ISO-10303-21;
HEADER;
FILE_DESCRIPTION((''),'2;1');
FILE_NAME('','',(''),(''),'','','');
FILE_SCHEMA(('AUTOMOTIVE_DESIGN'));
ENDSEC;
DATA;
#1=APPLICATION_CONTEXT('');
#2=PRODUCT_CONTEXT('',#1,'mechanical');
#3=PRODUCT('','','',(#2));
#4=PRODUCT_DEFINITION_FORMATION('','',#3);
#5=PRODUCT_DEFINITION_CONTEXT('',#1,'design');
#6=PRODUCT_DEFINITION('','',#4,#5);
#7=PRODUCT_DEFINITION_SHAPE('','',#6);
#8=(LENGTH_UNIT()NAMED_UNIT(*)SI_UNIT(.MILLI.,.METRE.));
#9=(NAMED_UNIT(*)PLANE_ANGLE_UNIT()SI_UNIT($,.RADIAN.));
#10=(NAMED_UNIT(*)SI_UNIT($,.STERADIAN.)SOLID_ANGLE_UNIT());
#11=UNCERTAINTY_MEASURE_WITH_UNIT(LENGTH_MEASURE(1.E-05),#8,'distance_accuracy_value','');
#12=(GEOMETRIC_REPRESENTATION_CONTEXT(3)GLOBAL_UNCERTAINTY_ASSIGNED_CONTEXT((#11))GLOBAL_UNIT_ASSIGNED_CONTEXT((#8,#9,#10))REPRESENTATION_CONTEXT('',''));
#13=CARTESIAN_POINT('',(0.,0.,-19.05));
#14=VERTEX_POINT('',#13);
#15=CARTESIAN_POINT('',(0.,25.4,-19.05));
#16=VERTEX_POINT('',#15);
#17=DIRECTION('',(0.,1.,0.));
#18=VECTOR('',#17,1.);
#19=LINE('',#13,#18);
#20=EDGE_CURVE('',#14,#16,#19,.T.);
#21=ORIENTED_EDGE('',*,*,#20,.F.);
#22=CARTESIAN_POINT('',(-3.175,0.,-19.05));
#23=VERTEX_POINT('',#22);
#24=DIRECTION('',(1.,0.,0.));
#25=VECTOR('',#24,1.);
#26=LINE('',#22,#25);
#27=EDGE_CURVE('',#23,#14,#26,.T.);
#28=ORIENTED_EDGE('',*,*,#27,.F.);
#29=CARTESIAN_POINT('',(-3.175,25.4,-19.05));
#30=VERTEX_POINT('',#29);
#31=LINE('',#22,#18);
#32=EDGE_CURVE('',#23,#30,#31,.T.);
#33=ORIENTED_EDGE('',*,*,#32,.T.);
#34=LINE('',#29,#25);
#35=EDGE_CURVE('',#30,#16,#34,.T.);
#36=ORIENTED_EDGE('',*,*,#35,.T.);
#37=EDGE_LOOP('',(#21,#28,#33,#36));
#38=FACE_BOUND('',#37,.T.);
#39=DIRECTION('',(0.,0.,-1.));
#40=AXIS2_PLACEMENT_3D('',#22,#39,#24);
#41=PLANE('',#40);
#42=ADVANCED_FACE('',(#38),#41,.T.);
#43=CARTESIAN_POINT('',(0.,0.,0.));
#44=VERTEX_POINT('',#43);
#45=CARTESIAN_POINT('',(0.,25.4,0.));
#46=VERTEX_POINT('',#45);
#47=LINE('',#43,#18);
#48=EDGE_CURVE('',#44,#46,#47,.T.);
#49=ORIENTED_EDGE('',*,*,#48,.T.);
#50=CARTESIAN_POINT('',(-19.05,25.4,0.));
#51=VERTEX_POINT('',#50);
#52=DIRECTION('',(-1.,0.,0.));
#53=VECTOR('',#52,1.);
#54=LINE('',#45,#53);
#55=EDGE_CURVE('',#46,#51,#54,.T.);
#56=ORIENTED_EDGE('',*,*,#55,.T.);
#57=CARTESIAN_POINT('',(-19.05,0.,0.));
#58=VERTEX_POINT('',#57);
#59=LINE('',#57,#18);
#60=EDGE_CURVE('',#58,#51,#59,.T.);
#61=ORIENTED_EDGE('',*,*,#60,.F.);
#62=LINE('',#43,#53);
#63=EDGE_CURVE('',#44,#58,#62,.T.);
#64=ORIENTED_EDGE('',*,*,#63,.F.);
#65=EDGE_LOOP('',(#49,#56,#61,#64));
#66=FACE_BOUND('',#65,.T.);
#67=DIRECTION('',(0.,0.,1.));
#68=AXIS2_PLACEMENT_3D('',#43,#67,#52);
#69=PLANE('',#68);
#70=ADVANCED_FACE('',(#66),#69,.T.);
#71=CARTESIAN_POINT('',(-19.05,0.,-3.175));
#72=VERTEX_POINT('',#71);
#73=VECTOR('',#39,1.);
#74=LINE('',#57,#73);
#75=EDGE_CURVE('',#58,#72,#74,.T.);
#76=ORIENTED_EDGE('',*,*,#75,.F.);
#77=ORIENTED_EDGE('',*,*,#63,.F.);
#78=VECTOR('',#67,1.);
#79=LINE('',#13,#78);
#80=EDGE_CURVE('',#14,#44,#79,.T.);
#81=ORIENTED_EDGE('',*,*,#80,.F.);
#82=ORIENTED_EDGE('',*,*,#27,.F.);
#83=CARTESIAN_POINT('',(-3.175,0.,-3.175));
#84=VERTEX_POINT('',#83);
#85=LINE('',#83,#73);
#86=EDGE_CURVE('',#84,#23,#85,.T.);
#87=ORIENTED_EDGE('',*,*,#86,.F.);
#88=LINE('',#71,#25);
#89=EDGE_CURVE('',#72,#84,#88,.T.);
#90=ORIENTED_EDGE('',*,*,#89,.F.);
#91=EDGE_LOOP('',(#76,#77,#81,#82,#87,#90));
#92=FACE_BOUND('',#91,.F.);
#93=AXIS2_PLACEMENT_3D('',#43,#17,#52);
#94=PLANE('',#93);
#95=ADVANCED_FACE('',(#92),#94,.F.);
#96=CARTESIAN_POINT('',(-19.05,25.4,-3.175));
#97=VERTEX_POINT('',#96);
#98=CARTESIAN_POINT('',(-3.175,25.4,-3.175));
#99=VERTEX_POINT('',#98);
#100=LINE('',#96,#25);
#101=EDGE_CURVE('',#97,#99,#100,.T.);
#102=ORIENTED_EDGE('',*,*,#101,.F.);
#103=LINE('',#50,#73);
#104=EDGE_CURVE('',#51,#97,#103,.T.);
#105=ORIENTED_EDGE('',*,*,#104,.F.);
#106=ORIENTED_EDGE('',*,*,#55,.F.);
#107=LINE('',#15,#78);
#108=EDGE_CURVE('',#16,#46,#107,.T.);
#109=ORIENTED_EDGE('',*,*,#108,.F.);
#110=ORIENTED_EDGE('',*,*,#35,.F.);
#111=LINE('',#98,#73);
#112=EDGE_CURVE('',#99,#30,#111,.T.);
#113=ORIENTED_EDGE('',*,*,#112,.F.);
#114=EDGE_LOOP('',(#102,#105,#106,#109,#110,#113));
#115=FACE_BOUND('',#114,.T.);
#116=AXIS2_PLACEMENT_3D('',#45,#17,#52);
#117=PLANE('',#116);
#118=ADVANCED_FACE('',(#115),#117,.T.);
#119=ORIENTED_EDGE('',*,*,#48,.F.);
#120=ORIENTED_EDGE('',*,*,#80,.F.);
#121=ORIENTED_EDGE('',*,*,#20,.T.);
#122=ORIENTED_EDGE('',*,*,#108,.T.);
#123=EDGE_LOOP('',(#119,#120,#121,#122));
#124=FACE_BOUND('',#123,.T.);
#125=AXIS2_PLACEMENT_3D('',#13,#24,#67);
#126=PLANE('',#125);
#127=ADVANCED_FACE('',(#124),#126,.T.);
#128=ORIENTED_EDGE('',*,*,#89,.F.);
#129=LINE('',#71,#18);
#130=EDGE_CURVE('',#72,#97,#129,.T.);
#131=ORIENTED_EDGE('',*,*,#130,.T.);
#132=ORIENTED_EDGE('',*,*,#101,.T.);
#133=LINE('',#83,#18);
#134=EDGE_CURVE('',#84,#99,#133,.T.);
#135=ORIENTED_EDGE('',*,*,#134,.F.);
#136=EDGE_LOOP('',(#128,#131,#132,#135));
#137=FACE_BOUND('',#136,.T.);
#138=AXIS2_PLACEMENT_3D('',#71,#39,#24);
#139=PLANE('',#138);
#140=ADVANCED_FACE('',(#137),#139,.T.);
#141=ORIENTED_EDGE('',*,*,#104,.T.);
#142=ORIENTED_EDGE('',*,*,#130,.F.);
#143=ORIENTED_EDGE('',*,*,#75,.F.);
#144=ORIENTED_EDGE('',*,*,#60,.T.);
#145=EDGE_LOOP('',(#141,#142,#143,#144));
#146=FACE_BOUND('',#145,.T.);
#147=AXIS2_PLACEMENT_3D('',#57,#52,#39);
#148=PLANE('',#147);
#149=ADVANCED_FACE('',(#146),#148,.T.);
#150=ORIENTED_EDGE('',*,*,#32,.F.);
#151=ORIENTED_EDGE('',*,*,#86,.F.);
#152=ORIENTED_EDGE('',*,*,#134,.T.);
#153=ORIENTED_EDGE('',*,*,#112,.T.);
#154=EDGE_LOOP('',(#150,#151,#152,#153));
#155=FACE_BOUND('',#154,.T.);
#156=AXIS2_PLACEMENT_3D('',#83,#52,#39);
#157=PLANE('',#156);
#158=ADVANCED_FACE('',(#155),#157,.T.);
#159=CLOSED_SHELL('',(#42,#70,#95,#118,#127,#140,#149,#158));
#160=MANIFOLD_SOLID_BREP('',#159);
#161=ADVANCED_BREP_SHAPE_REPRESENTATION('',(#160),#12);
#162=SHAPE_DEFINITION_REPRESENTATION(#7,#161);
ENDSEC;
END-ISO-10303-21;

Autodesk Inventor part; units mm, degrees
ref_plane "YZ Plane" through (0, 0, 0) normal (1, 0, 0) x (0, 1, 0)
ref_plane "XZ Plane" through (0, 0, 0) normal (0, 1, 0) x (-1, 0, 0)
ref_plane "XY Plane" through (0, 0, 0) normal (0, 0, 1) x (1, 0, 0)
sketch "Sketch1" plane through (0, 0, 0) normal (0, 1, 0) x (-1, 0, 0)
  line L0 (0, 0) -> (19.05, 0)
  line L1 (19.05, 0) -> (19.05, -3.175)
  line L2 (19.05, -3.175) -> (3.175, -3.175)
  line L3 (3.175, -3.175) -> (3.175, -19.05)
  line L4 (3.175, -19.05) -> (0, -19.05)
  line L5 (0, -19.05) -> (0, 0)
  dimension "d0" = 19.05
  dimension "d1" = 3.175
  dimension "d2" = 15.875
  dimension "d3" = 15.875
extrude "Extrusion1" add sketch "Sketch1" along normal blind 25.4
sketch "Sketch2" plane through (-3.175, 0, -3.175) normal (0, 0, -1) x (-1, 0, 0)
  point P0 (-3.175, 0)
